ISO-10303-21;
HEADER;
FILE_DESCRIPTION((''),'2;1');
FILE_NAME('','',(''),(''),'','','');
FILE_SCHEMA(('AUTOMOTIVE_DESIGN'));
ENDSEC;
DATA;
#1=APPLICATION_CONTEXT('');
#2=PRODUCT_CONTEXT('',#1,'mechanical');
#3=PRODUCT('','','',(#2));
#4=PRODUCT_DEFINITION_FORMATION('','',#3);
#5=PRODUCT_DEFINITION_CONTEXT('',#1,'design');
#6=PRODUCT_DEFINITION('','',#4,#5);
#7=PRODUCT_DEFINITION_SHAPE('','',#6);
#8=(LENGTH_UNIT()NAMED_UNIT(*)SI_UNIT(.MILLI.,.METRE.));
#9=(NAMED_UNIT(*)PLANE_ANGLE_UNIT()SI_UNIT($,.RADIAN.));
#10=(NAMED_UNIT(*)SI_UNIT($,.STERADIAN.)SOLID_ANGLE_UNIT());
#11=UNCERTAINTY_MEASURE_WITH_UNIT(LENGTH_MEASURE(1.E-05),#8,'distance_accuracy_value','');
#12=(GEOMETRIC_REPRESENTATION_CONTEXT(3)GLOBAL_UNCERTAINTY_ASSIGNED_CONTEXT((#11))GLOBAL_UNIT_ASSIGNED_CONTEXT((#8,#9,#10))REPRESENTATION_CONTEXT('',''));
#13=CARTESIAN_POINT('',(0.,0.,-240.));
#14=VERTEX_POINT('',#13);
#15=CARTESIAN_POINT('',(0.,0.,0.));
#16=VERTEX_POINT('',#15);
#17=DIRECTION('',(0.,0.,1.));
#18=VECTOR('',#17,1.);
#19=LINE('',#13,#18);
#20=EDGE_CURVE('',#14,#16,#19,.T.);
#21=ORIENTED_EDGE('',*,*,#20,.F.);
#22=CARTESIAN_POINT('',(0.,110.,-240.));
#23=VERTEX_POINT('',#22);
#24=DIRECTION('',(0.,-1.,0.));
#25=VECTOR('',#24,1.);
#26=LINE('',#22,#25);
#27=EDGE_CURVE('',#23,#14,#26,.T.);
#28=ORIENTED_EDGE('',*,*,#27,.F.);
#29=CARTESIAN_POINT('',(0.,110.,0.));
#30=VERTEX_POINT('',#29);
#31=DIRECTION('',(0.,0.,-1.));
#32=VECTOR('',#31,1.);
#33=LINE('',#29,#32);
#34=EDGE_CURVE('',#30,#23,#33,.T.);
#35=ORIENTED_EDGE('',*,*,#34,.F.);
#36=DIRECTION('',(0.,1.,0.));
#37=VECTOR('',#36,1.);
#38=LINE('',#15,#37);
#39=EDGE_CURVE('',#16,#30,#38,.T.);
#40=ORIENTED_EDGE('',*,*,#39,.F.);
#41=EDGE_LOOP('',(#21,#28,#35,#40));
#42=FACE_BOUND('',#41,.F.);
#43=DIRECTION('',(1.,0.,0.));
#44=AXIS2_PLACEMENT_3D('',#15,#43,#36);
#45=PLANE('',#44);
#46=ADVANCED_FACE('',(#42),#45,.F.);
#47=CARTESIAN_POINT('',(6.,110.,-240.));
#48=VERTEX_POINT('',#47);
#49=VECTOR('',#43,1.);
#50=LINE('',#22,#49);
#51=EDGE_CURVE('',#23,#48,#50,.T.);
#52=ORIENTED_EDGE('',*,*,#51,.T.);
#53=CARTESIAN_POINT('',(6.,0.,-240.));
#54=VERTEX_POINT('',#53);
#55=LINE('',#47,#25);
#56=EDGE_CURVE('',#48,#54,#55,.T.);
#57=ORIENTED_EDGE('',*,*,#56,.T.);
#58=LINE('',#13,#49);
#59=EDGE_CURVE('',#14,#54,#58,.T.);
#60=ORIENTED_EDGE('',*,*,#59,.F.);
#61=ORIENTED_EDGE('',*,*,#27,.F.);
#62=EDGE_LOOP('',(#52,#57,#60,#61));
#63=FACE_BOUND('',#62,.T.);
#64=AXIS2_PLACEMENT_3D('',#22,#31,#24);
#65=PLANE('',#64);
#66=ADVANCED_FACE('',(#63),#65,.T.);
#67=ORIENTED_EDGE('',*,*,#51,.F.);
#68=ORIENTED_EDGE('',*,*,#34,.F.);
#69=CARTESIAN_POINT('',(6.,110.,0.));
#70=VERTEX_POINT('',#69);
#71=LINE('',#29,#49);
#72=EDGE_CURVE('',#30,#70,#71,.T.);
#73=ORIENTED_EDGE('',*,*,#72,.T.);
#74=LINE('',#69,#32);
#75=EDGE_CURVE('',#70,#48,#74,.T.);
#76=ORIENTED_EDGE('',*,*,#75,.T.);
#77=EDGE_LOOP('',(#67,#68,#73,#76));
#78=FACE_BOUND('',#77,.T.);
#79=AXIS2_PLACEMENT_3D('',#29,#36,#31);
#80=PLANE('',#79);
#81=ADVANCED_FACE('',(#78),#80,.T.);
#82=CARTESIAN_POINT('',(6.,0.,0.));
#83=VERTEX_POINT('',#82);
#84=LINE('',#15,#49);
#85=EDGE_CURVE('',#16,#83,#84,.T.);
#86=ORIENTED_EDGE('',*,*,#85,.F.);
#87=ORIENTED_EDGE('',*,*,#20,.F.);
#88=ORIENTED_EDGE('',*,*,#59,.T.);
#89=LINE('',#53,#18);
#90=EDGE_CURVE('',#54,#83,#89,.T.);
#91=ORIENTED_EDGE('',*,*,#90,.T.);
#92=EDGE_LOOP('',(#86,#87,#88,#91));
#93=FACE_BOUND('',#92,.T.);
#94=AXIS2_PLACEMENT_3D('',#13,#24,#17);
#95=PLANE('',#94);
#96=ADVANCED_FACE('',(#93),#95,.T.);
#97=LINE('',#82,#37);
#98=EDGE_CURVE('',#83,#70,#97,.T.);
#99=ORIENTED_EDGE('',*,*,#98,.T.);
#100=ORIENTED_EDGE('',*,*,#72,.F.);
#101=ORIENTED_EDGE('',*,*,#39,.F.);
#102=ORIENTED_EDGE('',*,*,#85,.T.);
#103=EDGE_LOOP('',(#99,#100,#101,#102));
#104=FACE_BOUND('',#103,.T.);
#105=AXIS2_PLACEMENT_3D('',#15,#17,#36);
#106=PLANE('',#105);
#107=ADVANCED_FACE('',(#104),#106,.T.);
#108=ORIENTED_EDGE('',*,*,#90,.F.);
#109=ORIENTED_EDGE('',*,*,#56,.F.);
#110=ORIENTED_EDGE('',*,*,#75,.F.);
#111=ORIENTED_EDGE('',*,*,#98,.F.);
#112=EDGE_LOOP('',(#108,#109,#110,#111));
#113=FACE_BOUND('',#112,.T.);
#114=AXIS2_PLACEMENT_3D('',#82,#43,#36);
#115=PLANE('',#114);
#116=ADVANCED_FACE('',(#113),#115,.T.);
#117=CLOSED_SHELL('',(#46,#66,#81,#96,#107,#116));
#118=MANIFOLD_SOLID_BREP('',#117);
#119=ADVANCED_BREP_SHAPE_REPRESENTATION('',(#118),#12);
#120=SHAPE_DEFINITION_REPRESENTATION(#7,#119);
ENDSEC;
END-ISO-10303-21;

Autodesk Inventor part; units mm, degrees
ref_plane "YZ Plane" through (0, 0, 0) normal (1, 0, 0) x (0, 1, 0)
ref_plane "XZ Plane" through (0, 0, 0) normal (0, 1, 0) x (-1, 0, 0)
ref_plane "XY Plane" through (0, 0, 0) normal (0, 0, 1) x (1, 0, 0)
sketch "Sketch1" plane through (0, 0, 0) normal (1, 0, 0) x (0, 1, 0)
  line L0 (0, 0) -> (110, 0)
  line L1 (110, 0) -> (110, -240)
  line L2 (110, -240) -> (0, -240)
  line L3 (0, -240) -> (0, 0)
  dimension "d0" = 110
  dimension "d1" = 240
extrude "Extrusion1" add sketch "Sketch1" along normal blind 6
properties part number "wall 6 for sorting"
